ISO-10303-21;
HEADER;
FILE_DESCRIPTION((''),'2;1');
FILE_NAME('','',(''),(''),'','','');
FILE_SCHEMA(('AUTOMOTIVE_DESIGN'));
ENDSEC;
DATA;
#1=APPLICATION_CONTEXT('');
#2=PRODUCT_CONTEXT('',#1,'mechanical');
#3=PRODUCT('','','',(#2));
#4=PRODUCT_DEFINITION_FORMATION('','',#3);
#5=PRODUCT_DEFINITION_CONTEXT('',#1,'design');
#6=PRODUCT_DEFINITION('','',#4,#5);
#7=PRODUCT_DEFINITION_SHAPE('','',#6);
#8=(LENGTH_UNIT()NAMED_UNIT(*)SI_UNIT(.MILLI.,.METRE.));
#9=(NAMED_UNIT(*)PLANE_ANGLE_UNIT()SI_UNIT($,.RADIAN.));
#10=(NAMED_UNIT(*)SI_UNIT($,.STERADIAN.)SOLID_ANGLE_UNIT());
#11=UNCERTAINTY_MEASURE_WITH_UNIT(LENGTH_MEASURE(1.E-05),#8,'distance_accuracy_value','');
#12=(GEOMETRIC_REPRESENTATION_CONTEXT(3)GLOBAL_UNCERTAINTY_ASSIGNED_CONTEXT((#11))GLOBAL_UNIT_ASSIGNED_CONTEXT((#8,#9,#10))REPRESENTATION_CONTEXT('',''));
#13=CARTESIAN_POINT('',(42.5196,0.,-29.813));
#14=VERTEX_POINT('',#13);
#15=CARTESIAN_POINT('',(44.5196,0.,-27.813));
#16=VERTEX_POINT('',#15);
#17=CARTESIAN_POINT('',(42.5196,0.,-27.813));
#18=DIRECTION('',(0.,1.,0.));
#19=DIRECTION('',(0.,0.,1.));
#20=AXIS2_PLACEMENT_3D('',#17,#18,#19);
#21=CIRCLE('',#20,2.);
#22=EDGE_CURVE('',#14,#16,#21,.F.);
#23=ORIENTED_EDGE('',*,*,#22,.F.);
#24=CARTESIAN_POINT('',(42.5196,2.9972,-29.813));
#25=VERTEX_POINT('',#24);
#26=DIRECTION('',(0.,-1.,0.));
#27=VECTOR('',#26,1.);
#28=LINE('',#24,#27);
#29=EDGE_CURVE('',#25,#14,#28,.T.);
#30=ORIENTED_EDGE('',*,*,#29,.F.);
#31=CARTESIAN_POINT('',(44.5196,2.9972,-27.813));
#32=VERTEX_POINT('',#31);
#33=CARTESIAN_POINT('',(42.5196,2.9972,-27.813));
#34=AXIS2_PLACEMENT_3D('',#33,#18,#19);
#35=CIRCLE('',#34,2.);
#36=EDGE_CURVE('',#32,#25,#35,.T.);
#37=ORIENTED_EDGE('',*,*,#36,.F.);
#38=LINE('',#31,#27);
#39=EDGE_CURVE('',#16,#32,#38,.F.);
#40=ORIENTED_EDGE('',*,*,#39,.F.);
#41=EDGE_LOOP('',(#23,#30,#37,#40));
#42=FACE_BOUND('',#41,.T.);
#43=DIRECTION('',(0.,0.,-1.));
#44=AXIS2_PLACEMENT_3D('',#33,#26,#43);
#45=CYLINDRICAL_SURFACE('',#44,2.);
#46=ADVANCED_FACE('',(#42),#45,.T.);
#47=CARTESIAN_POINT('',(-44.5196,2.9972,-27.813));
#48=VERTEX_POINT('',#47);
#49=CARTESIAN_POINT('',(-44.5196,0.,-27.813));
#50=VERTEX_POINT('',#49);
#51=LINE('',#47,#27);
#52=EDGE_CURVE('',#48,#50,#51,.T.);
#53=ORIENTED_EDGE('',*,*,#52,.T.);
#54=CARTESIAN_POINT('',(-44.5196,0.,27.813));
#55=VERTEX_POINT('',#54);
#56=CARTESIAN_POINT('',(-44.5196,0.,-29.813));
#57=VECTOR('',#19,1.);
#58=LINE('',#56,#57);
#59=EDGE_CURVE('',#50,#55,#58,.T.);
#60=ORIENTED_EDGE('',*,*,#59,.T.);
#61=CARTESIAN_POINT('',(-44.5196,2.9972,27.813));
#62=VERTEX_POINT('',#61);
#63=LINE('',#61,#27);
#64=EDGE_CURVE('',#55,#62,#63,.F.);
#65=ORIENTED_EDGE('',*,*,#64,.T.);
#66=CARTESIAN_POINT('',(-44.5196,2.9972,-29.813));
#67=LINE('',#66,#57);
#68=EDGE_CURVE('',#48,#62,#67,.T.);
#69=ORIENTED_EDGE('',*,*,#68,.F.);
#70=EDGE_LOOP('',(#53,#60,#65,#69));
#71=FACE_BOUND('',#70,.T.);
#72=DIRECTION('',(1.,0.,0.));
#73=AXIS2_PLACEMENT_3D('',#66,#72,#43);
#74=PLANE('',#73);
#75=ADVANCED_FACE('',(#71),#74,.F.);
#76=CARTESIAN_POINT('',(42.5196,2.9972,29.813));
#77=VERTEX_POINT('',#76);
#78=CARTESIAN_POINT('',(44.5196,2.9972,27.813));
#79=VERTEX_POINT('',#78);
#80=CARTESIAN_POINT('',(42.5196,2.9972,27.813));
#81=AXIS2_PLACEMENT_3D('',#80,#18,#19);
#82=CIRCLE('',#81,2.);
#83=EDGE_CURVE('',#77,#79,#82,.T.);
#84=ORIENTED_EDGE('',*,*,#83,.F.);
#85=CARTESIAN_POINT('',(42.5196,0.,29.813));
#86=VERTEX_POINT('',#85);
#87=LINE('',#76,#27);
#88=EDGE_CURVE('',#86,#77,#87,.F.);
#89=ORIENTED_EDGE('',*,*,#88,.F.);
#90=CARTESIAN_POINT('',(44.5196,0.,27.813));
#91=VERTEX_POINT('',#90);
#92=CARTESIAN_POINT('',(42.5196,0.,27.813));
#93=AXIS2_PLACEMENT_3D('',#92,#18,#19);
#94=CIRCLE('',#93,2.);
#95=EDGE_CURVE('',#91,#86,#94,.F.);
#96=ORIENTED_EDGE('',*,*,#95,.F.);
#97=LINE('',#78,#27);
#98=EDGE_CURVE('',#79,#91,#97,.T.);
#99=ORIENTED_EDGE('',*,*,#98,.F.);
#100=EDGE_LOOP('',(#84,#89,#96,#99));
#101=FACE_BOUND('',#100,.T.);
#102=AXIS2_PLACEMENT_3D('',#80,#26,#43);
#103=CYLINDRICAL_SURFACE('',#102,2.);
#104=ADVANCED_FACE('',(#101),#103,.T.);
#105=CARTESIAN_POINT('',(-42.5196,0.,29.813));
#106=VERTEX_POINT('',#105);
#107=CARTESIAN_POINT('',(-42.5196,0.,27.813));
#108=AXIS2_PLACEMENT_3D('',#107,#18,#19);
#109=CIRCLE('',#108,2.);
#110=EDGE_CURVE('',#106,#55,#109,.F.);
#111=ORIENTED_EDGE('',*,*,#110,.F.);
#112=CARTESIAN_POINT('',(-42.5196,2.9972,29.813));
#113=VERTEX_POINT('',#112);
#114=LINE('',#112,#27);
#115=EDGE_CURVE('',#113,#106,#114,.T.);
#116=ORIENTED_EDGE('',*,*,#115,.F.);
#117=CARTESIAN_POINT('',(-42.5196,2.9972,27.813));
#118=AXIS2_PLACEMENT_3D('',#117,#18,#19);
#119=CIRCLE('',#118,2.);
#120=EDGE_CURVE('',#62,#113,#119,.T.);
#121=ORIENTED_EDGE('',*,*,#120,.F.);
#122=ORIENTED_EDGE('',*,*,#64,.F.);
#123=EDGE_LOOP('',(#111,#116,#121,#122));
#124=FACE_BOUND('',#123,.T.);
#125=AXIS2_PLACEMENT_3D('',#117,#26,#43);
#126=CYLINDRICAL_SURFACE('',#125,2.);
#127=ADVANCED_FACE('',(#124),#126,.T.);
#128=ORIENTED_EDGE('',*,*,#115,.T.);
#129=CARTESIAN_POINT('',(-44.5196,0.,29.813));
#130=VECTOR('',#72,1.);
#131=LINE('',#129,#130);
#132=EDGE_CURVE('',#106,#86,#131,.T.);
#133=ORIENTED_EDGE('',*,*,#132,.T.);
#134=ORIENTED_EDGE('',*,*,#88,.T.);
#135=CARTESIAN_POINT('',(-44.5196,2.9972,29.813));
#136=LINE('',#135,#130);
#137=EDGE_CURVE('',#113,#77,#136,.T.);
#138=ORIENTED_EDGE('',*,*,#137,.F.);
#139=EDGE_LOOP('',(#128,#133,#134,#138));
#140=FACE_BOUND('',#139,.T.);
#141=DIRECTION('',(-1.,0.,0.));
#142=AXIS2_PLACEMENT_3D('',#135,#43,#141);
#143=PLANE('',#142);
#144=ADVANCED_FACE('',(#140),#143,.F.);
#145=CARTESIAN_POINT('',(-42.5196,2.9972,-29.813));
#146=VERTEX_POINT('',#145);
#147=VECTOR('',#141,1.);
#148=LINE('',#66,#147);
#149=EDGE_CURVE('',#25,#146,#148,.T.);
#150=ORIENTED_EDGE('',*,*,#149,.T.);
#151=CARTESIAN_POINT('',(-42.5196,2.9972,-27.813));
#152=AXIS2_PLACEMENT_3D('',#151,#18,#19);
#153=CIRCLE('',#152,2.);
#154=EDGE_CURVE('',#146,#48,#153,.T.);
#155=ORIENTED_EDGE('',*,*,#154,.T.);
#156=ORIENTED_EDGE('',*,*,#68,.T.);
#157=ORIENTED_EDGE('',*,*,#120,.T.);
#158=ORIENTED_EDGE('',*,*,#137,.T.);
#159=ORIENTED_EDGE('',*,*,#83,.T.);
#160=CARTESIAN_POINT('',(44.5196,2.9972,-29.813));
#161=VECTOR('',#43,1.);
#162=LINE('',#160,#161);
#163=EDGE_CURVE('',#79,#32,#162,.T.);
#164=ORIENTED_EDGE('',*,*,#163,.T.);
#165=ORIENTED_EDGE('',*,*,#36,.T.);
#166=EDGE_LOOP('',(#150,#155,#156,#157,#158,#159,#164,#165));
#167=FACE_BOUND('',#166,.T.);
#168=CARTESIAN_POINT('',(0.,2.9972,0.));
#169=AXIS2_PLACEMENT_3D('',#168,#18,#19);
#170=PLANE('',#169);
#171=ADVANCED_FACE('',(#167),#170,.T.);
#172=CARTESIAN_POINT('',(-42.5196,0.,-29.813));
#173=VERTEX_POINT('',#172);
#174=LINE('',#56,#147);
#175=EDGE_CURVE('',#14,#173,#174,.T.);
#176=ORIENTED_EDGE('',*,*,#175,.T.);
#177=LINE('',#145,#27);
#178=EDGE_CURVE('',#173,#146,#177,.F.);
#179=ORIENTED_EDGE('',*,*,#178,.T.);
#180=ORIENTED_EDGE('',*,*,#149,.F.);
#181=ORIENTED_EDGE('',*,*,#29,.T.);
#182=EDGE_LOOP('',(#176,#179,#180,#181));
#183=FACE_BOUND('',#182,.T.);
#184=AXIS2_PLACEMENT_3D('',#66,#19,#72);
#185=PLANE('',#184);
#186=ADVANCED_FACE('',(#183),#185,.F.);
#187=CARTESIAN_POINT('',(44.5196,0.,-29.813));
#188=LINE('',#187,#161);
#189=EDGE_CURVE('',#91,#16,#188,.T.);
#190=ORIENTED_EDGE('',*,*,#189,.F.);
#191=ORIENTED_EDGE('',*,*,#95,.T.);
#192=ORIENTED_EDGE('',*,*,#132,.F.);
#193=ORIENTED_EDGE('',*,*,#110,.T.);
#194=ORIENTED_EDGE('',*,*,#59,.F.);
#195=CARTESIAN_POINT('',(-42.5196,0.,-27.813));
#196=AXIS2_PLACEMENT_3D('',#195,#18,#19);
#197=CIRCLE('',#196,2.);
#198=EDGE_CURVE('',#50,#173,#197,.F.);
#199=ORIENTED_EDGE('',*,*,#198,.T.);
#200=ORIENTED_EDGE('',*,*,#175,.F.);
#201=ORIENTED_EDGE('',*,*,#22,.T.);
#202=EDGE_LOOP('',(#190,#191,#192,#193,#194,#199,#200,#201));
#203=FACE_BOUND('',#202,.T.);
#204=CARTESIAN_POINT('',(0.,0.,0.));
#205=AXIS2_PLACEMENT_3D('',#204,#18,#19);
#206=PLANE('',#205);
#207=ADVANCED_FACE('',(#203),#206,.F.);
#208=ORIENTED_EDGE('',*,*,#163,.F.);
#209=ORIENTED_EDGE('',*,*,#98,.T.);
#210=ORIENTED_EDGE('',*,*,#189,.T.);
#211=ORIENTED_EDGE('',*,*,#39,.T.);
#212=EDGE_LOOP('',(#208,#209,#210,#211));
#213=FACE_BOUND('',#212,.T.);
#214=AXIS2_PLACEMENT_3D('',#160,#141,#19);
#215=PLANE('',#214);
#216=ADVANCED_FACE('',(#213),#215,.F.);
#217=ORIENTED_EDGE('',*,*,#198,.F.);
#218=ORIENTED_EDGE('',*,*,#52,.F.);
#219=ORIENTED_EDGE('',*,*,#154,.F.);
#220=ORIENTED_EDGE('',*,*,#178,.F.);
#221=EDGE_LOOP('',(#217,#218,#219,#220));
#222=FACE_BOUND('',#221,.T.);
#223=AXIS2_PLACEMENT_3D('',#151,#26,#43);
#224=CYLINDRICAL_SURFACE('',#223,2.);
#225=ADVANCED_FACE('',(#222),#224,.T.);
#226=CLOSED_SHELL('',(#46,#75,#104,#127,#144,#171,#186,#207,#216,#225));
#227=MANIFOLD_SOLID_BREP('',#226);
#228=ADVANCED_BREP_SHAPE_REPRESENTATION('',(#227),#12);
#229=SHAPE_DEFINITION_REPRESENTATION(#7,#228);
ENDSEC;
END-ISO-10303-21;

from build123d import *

# Parameters (mm, degrees)
SKETCH1_W           = 89.0392
SKETCH1_H           = 59.626
BOSS_EXTRUDE1_DEPTH = 2.9972
FILLET1_R           = 2


with BuildPart() as part:
    # Sketch1 → Boss-Extrude1 (new body)
    with BuildSketch(Plane(origin=(0, 0, 0), x_dir=(1, 0, 0), z_dir=(0, 1, 0))):
        Rectangle(SKETCH1_W, SKETCH1_H)
    extrude(amount=BOSS_EXTRUDE1_DEPTH)

    # Fillet1
    fillet1_edges = [part.edges().sort_by_distance(p)[0] for p in [
        (44.5196, 1.4986, 29.813),
        (-44.5196, 1.4986, 29.813),
        (-44.5196, 1.4986, -29.813),
        (44.5196, 1.4986, -29.813),
    ]]
    fillet(fillet1_edges, radius=FILLET1_R)


solid = part.part
